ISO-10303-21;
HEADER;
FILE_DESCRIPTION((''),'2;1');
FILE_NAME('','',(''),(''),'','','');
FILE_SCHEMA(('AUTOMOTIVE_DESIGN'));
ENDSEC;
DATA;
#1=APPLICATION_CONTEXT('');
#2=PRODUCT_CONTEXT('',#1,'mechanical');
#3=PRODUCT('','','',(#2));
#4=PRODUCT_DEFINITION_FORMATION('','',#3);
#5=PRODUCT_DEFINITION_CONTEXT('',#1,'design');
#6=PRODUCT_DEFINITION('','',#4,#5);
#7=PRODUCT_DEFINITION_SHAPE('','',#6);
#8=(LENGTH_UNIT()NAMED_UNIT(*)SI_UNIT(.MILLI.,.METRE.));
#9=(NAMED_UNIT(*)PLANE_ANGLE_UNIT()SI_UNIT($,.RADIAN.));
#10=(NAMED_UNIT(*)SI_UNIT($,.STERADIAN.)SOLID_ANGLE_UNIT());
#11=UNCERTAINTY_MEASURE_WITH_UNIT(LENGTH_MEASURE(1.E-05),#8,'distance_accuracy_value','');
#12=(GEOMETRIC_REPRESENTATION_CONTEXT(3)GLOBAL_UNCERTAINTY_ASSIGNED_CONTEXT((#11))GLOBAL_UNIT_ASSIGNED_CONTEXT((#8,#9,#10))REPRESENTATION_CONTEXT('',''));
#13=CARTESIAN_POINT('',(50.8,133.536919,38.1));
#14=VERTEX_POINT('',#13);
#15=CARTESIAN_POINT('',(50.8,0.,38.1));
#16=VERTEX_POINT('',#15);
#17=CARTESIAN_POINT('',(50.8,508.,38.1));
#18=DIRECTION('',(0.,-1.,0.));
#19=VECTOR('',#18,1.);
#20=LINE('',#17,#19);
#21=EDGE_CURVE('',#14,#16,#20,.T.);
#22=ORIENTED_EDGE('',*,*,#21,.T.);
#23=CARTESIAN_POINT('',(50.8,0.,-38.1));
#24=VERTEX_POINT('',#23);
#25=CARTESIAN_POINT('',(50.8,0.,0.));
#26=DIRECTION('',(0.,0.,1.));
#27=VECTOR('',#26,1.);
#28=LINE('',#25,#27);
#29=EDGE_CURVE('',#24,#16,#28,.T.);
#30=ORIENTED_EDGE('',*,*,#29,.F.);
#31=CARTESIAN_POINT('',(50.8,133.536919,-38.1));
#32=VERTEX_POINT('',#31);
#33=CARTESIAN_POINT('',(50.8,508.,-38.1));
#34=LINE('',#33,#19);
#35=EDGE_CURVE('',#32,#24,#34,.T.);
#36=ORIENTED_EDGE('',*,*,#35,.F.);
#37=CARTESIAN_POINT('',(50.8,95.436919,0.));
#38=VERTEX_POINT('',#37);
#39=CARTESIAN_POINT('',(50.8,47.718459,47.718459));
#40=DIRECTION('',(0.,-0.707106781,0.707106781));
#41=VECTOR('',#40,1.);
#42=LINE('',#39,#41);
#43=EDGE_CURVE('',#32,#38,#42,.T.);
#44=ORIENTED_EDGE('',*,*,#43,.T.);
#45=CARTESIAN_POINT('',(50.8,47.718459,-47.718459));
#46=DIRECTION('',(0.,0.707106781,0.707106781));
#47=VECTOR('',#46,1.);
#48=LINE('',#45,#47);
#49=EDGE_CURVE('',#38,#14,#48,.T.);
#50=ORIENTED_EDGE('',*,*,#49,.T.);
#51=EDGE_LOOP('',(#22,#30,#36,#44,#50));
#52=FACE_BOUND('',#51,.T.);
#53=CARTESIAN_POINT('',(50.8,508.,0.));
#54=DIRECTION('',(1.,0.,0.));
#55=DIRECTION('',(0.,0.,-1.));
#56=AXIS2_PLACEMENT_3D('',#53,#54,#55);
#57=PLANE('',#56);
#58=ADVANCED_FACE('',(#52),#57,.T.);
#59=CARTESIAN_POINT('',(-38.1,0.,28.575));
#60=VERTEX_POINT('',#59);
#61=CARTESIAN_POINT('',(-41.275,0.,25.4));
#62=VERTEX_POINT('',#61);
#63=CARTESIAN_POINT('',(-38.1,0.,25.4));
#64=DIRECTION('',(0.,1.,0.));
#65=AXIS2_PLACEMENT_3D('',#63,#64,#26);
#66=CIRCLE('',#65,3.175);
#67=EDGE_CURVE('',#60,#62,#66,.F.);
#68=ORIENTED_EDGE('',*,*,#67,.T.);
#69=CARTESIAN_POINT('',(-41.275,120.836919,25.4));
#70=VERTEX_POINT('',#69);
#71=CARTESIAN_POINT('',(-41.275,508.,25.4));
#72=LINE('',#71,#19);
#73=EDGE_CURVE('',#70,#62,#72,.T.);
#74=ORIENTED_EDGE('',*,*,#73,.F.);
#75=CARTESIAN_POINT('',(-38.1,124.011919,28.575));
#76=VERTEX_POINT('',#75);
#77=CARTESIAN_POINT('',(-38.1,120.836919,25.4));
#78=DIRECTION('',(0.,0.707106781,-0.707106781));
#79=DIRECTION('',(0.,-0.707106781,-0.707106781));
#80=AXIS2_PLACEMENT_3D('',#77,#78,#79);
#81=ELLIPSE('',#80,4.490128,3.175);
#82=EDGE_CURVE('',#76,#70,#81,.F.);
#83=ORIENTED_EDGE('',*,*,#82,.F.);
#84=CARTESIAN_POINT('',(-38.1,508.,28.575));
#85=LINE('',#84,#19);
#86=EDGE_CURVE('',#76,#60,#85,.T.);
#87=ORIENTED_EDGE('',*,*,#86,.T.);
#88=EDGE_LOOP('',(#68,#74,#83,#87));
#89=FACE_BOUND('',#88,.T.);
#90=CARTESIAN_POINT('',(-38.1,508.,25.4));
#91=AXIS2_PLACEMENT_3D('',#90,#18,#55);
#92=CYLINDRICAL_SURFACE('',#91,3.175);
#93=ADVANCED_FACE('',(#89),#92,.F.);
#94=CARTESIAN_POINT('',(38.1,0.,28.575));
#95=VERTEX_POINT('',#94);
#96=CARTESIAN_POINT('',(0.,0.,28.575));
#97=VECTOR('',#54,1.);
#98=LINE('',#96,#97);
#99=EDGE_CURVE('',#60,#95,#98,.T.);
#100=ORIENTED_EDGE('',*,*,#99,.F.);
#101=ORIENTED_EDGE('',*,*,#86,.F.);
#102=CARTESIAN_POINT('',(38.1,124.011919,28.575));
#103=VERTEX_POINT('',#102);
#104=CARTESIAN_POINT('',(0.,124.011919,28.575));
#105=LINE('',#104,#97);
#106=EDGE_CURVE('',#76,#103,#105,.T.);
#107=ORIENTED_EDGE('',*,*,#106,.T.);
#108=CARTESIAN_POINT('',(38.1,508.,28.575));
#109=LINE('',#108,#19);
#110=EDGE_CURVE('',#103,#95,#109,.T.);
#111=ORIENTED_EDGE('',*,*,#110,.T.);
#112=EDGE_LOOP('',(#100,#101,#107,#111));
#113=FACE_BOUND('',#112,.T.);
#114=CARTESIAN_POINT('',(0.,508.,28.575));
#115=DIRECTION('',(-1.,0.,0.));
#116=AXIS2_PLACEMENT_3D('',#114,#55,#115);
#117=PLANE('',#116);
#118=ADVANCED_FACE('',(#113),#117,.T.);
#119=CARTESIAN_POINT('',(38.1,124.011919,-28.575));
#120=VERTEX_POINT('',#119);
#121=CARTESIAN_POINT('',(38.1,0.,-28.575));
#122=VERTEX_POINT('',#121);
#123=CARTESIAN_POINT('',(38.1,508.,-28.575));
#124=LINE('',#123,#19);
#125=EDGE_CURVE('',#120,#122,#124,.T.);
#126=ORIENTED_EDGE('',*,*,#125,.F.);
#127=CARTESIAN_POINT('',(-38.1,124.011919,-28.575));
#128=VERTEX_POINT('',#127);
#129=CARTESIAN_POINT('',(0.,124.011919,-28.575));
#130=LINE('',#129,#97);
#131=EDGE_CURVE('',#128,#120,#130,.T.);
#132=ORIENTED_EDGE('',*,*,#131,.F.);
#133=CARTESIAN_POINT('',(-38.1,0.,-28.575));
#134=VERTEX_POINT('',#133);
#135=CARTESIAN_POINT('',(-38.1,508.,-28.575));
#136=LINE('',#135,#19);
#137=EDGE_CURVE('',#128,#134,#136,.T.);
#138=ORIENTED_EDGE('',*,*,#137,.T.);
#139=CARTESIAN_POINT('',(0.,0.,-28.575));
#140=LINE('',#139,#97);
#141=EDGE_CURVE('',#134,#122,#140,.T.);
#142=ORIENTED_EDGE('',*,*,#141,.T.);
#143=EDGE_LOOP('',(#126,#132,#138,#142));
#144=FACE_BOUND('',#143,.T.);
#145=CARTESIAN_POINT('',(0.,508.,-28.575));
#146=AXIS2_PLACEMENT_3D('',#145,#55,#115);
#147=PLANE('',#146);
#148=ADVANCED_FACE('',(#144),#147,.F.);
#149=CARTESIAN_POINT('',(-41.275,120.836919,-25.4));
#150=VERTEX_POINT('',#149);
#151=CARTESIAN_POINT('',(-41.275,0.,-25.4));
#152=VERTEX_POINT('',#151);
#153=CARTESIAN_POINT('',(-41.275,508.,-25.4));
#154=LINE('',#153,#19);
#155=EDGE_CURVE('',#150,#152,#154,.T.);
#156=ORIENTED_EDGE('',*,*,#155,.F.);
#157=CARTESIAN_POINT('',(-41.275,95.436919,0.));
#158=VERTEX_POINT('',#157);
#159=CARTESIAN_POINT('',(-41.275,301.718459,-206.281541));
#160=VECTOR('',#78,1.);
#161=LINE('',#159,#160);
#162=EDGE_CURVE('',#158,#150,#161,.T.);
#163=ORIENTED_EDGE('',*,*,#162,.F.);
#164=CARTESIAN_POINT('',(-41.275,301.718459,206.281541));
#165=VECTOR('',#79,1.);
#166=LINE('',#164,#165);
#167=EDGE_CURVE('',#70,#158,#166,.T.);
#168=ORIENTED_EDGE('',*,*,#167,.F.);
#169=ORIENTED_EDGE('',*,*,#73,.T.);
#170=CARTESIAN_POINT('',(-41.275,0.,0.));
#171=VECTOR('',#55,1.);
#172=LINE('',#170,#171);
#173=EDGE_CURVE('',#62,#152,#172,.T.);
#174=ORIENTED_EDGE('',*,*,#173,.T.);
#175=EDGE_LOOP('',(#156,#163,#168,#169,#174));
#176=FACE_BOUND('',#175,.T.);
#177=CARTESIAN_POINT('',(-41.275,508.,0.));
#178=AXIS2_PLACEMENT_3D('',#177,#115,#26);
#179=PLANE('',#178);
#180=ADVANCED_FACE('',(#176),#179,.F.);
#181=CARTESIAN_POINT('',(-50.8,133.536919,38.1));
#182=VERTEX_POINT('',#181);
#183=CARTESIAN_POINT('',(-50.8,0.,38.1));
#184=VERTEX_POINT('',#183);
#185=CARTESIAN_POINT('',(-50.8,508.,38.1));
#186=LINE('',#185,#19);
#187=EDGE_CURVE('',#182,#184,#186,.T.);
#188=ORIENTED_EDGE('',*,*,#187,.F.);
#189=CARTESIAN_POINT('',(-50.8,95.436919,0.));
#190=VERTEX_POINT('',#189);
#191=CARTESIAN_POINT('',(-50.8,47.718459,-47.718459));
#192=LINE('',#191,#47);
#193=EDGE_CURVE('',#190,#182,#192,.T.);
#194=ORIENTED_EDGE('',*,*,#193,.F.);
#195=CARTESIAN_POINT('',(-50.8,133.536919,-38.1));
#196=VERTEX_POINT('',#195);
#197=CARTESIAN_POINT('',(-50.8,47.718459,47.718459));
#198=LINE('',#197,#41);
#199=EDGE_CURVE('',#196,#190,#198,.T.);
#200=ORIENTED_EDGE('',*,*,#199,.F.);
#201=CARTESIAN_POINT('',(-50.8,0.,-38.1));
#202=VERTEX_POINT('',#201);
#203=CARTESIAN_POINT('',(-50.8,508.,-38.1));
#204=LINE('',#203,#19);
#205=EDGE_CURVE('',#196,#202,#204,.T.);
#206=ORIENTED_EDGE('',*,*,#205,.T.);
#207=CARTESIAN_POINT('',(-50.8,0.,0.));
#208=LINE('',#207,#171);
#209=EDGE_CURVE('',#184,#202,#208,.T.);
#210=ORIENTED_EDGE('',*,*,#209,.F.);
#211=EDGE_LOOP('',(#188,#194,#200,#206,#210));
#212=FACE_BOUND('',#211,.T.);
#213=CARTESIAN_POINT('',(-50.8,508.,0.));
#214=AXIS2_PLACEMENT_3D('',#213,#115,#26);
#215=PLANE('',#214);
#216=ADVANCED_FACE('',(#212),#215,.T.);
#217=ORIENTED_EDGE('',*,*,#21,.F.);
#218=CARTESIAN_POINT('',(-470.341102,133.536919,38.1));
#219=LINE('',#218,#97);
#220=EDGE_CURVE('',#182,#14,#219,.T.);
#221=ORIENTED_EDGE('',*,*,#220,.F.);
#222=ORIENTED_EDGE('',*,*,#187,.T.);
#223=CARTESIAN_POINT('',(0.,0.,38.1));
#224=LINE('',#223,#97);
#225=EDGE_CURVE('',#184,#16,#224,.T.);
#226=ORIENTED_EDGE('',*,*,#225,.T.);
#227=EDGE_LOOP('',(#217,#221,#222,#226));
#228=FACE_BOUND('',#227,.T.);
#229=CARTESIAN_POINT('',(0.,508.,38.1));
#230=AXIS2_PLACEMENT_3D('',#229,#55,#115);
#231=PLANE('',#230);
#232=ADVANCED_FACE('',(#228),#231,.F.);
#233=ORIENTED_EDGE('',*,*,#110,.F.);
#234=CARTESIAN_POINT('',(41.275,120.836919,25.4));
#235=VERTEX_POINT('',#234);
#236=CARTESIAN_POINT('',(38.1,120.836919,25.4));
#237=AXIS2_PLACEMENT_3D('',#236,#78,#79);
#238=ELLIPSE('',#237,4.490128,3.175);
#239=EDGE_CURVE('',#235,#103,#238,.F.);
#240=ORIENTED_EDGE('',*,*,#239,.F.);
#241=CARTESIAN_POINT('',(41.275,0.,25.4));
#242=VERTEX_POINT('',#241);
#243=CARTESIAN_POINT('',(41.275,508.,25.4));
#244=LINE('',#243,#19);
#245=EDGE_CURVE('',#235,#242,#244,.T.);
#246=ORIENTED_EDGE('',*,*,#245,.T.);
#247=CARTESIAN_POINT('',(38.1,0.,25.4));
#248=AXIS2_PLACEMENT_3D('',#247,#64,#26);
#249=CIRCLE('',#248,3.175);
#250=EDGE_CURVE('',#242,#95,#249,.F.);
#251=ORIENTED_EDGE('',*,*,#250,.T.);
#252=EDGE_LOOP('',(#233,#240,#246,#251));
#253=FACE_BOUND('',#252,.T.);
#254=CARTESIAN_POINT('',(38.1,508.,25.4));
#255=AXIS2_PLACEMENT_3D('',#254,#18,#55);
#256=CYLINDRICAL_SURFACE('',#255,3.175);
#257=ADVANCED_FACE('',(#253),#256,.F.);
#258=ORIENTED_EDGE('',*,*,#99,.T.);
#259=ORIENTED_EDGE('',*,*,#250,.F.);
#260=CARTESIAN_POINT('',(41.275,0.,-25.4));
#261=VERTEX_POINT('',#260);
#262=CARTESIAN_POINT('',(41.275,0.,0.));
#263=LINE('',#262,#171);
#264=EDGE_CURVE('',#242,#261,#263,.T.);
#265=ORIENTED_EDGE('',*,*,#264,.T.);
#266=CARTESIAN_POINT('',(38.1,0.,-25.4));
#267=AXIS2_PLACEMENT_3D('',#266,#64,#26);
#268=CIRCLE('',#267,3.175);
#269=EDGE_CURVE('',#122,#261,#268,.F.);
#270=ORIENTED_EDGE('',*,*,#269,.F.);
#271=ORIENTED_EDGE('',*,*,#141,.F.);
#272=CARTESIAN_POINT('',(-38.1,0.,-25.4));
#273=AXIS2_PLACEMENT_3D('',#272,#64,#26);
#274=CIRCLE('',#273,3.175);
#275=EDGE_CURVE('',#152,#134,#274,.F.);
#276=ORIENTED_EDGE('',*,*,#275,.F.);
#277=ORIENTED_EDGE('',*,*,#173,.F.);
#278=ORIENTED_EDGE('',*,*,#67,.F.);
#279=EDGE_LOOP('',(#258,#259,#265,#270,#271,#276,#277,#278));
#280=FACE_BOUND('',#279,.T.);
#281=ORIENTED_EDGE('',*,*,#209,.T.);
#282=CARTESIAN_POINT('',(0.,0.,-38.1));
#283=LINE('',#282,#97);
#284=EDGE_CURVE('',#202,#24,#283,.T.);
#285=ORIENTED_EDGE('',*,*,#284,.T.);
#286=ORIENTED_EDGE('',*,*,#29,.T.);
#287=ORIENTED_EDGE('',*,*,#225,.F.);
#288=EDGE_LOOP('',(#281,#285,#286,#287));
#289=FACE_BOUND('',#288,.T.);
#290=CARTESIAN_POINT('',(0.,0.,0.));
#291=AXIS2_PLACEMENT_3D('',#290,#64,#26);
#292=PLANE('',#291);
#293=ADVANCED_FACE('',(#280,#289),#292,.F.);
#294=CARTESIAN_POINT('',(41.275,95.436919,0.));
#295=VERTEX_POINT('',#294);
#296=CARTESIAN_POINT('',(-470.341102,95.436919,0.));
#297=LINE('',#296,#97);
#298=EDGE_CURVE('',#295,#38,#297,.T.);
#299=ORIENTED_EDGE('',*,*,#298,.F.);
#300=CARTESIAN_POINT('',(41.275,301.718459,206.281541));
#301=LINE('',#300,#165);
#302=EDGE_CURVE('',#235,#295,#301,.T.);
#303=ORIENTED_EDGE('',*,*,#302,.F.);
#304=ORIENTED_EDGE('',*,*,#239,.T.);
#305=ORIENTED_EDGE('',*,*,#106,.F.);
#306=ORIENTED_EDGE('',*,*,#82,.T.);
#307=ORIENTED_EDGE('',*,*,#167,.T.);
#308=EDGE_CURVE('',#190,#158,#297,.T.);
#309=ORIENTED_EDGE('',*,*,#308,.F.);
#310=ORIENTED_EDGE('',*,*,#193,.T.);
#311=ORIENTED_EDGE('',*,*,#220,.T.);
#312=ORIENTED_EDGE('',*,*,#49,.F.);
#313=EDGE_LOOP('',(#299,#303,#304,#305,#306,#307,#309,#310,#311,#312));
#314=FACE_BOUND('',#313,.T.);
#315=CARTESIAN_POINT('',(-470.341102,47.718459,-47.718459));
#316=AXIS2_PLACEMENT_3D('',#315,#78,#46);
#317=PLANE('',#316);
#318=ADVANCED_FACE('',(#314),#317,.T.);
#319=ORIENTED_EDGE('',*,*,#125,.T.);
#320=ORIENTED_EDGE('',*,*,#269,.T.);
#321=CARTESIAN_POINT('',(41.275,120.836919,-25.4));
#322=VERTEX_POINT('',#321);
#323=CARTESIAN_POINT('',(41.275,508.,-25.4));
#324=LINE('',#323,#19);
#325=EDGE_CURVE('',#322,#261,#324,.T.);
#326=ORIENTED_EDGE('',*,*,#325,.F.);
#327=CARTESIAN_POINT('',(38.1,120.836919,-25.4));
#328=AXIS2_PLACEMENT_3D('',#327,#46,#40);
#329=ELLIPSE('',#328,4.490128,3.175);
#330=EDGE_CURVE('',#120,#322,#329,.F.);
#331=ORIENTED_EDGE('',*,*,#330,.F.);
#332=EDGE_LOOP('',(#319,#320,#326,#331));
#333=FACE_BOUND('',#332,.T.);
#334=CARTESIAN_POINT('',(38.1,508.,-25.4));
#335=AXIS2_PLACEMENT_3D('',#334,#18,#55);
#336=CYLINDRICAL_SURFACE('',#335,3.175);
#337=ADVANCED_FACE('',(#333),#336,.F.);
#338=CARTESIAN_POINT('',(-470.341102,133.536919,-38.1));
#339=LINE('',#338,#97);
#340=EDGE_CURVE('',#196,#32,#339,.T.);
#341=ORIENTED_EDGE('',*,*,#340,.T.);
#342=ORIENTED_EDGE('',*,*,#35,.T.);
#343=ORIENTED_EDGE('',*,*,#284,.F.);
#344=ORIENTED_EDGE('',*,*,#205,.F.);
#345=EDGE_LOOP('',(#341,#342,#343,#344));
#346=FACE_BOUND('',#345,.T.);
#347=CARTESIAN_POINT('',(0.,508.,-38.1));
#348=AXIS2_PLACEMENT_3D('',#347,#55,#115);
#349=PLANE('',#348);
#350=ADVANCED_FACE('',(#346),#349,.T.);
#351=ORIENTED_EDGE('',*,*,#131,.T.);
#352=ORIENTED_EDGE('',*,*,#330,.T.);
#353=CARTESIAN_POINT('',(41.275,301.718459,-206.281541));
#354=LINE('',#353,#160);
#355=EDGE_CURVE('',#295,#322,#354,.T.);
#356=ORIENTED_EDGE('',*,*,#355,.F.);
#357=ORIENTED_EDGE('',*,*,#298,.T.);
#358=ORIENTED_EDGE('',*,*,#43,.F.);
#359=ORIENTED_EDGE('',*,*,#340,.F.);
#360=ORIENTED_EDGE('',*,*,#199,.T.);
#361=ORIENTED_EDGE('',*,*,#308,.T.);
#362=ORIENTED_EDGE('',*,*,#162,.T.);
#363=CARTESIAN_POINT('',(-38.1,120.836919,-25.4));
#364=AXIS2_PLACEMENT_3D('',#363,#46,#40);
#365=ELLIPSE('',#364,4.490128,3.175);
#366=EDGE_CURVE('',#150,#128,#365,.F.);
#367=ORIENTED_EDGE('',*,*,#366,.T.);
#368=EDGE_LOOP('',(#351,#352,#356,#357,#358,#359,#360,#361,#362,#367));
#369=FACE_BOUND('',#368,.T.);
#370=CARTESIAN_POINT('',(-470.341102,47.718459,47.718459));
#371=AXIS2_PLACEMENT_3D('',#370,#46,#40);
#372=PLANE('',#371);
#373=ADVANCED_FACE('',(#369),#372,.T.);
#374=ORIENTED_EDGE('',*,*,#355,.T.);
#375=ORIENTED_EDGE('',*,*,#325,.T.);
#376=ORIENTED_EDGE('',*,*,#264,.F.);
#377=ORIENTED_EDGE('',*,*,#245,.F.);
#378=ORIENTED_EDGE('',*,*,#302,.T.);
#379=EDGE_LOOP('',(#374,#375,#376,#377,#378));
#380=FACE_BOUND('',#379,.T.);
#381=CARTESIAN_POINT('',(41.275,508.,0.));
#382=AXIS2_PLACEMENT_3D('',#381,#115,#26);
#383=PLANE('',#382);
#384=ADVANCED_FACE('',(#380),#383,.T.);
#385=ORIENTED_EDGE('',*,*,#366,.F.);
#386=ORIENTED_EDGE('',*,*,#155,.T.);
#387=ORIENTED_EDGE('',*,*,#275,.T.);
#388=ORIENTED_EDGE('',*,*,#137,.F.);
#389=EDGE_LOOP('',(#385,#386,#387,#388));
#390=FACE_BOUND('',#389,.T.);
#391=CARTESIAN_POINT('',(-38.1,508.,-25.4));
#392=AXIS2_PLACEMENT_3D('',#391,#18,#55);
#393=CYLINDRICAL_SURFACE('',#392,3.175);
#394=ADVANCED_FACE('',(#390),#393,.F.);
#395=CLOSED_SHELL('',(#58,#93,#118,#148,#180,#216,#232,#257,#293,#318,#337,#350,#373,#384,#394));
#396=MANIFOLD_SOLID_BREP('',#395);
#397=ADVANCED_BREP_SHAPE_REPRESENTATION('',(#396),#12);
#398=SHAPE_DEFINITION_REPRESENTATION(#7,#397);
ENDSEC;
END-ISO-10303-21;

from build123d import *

# Parameters (mm, degrees)
BOSS_EXTRUDE1_DEPTH = 508
CUT_EXTRUDE7_REACH  = 521.459


with BuildPart() as part:
    # Sketch1 → Boss-Extrude1 (new body)
    with BuildSketch(Plane(origin=(0, 0, 0), x_dir=(1, 0, 0), z_dir=(0, 1, 0))):
        Polygon((-52.613166046, -38.1), (52.613166046, -38.1), (50.8, -38.1), (50.8, -0.977324315), (50.8, 0.977324315), (50.8, 38.1), (39.913166046, 38.1), (-39.913166046, 38.1), (-50.8, 38.1), (-50.8, -24.422675685), (-50.8, 24.422675685), (-50.8, -38.1), align=None)
        with BuildLine():
            Line((-38.1, -28.575), (38.1, -28.575))
            ThreePointArc((38.1, -28.575), (40.34506403, -27.64506403), (41.275, -25.4))
            Line((41.275, -25.4), (41.275, 25.4))
            ThreePointArc((41.275, 25.4), (40.34506403, 27.64506403), (38.1, 28.575))
            Line((38.1, 28.575), (-38.1, 28.575))
            ThreePointArc((-38.1, 28.575), (-40.34506403, 27.64506403), (-41.275, 25.4))
            Line((-41.275, 25.4), (-41.275, -25.4))
            ThreePointArc((-41.275, -25.4), (-40.34506403, -27.64506403), (-38.1, -28.575))
        make_face(mode=Mode.SUBTRACT)
    extrude(amount=BOSS_EXTRUDE1_DEPTH)

    # Cut-Extrude7: up to this face of the body (flat: up to its plane)
    cut_extrude7_end = Plane(part.part.faces().sort_by_distance((-50.8, 254, 0))[0])
    # Sketch8 → Cut-Extrude7 (cut, up to the picked face)
    with BuildSketch(Plane(origin=(50.8, 0, 0), x_dir=(0, 0, -1), z_dir=(1, 0, 0)), mode=Mode.PRIVATE) as cut_extrude7_sk1:
        Polygon((-38.1, 133.5369186), (0, 95.4369186), (38.1, 133.5369186), (38.1, 508), (-38.1, 508), align=None)
    cut_extrude7_tool1 = split(extrude(cut_extrude7_sk1.sketch, amount=-CUT_EXTRUDE7_REACH, mode=Mode.PRIVATE), bisect_by=cut_extrude7_end, keep=Keep.BOTH, mode=Mode.PRIVATE)
    add(cut_extrude7_tool1.solids().sort_by(Axis((50.8, 311.089757, 0), (-1, 0, 0)))[0], mode=Mode.SUBTRACT)


solid = part.part
